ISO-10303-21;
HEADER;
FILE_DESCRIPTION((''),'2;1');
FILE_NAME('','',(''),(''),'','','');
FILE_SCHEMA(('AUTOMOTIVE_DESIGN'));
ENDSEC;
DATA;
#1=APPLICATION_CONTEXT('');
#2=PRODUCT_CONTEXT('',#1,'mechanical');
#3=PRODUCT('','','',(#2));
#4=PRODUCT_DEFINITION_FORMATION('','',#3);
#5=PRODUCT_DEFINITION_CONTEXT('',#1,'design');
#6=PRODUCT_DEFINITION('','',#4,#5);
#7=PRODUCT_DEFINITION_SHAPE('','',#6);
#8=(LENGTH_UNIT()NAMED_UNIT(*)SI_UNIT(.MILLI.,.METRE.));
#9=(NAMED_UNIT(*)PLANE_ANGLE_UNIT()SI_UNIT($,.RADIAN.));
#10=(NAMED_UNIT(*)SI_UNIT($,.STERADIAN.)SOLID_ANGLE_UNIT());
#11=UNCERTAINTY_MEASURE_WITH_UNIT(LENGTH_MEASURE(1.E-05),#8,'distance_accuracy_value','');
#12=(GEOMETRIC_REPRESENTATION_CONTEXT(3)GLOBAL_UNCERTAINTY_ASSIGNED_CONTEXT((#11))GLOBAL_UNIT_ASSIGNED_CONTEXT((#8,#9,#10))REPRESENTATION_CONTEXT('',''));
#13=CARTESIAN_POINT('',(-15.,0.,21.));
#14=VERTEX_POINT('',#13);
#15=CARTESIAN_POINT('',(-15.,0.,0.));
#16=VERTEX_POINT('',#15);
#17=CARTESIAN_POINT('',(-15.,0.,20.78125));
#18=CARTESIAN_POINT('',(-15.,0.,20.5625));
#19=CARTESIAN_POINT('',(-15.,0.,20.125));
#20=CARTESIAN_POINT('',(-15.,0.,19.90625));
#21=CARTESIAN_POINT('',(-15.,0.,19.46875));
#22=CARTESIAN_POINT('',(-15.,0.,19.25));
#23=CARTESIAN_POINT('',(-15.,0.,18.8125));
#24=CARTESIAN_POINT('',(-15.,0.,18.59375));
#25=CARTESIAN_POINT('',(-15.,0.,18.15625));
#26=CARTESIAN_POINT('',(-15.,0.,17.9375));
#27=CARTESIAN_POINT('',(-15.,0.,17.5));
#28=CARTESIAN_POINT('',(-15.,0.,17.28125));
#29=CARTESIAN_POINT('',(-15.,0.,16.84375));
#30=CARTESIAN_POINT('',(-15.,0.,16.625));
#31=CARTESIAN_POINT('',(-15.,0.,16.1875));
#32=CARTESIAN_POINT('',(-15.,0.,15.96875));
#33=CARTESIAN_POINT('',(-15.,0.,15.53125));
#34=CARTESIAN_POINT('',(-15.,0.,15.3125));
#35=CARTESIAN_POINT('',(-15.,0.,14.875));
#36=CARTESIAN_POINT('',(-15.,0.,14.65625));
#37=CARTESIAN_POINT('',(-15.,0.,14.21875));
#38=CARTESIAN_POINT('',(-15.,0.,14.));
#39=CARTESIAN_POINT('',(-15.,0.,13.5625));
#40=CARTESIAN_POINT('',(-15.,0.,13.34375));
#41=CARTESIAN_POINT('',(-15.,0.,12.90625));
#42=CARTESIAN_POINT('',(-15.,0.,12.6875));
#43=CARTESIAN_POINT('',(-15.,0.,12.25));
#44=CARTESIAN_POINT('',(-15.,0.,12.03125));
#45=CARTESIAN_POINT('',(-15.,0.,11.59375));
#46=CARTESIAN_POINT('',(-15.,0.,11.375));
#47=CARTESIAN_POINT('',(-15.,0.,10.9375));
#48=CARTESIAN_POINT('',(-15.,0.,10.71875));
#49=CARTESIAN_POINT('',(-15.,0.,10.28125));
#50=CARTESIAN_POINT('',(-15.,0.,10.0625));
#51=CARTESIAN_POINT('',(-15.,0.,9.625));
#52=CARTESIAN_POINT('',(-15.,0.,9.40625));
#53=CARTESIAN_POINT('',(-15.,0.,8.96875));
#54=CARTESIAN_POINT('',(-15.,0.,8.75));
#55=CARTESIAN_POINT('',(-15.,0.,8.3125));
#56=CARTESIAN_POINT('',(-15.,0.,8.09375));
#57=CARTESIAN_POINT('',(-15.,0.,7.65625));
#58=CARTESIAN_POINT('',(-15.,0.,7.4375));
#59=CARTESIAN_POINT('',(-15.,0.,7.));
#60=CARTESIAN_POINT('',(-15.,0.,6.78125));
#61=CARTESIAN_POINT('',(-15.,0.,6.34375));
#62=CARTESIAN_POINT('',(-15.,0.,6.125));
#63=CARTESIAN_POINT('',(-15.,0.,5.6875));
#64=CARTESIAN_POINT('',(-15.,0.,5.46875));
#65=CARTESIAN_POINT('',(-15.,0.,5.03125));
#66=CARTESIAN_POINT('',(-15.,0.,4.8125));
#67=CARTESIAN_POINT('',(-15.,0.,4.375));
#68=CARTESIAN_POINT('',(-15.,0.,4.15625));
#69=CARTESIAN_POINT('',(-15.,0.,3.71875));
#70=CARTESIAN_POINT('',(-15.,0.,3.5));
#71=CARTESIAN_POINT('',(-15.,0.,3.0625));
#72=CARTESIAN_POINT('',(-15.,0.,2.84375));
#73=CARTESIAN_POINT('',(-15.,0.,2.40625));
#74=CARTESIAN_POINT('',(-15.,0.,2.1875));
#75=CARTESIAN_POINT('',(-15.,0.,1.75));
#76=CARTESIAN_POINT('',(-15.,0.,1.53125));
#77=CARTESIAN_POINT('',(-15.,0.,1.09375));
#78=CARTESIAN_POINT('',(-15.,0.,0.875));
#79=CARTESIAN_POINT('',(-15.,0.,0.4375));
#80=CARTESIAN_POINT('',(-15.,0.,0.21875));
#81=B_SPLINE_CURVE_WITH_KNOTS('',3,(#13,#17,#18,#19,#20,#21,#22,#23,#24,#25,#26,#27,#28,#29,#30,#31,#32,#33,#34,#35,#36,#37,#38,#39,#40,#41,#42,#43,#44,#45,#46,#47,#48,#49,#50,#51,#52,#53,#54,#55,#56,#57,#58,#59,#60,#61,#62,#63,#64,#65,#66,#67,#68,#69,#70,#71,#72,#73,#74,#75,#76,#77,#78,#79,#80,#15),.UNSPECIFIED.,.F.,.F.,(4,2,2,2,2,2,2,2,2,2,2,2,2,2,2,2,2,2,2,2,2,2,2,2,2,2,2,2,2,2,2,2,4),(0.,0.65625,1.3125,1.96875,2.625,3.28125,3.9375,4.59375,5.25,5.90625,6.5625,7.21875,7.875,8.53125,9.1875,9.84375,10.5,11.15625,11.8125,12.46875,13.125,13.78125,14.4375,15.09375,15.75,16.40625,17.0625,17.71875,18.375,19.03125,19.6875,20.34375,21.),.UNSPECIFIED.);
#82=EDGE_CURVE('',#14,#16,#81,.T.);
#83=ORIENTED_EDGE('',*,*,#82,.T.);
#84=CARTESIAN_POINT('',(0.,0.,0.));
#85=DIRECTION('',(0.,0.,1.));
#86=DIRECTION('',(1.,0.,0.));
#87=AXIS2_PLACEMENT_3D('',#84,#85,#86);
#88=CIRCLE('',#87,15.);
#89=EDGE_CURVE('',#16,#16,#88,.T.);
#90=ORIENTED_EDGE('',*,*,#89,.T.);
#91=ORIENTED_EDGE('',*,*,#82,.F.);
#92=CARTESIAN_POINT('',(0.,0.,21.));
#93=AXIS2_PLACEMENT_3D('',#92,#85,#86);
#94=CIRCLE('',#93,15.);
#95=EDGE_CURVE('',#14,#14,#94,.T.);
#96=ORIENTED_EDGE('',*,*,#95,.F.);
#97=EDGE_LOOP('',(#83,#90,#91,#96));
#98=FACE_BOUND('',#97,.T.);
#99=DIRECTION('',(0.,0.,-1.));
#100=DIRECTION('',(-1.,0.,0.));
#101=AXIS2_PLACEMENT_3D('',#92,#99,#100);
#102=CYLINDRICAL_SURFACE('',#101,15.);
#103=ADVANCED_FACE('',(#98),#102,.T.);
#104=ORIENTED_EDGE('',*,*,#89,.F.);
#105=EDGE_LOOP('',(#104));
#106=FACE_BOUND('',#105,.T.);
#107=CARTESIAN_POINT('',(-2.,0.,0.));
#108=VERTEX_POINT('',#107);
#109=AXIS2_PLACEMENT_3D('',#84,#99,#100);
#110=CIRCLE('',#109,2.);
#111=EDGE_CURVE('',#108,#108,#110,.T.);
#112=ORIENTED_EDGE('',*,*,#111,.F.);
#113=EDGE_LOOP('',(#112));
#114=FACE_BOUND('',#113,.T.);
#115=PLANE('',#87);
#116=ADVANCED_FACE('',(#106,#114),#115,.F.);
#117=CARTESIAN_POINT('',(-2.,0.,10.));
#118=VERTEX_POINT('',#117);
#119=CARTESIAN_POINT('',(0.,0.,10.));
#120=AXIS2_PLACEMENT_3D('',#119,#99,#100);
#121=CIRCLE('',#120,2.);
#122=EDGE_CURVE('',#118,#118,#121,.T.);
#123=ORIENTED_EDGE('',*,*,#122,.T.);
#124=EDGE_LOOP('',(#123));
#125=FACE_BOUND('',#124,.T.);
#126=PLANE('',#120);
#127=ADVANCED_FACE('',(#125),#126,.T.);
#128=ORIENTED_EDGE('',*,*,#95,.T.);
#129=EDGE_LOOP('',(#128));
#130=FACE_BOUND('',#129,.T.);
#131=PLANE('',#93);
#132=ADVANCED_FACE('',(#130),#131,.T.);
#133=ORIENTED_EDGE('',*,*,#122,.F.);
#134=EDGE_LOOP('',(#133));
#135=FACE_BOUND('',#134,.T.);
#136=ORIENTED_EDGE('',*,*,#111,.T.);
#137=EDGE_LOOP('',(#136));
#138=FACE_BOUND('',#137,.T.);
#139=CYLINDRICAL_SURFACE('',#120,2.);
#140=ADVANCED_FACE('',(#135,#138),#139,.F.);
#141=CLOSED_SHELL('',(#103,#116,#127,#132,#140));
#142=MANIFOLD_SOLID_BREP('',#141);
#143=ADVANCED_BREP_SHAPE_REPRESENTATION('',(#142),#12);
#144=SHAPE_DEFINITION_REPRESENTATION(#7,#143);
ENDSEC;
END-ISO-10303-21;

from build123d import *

# Parameters (mm, degrees)
CROQUIS1_R              = 15
SALIENTE_EXTRUIR1_DEPTH = 21
CROQUIS2_R              = 2
CORTAR_EXTRUIR1_DEPTH   = 10


with BuildPart() as part:
    # Croquis1 → Saliente-Extruir1 (new body)
    with BuildSketch(Plane.XY):
        with Locations(Location((0, 0, 0), (0, 0, 180))):
            Circle(CROQUIS1_R)
    extrude(amount=SALIENTE_EXTRUIR1_DEPTH)

    # Croquis2 → Cortar-Extruir1 (cut)
    with BuildSketch(Plane(origin=(0, 0, 0), x_dir=(-1, 0, 0), z_dir=(0, 0, -1))):
        Circle(CROQUIS2_R)
    extrude(amount=-CORTAR_EXTRUIR1_DEPTH, mode=Mode.SUBTRACT)


solid = part.part
